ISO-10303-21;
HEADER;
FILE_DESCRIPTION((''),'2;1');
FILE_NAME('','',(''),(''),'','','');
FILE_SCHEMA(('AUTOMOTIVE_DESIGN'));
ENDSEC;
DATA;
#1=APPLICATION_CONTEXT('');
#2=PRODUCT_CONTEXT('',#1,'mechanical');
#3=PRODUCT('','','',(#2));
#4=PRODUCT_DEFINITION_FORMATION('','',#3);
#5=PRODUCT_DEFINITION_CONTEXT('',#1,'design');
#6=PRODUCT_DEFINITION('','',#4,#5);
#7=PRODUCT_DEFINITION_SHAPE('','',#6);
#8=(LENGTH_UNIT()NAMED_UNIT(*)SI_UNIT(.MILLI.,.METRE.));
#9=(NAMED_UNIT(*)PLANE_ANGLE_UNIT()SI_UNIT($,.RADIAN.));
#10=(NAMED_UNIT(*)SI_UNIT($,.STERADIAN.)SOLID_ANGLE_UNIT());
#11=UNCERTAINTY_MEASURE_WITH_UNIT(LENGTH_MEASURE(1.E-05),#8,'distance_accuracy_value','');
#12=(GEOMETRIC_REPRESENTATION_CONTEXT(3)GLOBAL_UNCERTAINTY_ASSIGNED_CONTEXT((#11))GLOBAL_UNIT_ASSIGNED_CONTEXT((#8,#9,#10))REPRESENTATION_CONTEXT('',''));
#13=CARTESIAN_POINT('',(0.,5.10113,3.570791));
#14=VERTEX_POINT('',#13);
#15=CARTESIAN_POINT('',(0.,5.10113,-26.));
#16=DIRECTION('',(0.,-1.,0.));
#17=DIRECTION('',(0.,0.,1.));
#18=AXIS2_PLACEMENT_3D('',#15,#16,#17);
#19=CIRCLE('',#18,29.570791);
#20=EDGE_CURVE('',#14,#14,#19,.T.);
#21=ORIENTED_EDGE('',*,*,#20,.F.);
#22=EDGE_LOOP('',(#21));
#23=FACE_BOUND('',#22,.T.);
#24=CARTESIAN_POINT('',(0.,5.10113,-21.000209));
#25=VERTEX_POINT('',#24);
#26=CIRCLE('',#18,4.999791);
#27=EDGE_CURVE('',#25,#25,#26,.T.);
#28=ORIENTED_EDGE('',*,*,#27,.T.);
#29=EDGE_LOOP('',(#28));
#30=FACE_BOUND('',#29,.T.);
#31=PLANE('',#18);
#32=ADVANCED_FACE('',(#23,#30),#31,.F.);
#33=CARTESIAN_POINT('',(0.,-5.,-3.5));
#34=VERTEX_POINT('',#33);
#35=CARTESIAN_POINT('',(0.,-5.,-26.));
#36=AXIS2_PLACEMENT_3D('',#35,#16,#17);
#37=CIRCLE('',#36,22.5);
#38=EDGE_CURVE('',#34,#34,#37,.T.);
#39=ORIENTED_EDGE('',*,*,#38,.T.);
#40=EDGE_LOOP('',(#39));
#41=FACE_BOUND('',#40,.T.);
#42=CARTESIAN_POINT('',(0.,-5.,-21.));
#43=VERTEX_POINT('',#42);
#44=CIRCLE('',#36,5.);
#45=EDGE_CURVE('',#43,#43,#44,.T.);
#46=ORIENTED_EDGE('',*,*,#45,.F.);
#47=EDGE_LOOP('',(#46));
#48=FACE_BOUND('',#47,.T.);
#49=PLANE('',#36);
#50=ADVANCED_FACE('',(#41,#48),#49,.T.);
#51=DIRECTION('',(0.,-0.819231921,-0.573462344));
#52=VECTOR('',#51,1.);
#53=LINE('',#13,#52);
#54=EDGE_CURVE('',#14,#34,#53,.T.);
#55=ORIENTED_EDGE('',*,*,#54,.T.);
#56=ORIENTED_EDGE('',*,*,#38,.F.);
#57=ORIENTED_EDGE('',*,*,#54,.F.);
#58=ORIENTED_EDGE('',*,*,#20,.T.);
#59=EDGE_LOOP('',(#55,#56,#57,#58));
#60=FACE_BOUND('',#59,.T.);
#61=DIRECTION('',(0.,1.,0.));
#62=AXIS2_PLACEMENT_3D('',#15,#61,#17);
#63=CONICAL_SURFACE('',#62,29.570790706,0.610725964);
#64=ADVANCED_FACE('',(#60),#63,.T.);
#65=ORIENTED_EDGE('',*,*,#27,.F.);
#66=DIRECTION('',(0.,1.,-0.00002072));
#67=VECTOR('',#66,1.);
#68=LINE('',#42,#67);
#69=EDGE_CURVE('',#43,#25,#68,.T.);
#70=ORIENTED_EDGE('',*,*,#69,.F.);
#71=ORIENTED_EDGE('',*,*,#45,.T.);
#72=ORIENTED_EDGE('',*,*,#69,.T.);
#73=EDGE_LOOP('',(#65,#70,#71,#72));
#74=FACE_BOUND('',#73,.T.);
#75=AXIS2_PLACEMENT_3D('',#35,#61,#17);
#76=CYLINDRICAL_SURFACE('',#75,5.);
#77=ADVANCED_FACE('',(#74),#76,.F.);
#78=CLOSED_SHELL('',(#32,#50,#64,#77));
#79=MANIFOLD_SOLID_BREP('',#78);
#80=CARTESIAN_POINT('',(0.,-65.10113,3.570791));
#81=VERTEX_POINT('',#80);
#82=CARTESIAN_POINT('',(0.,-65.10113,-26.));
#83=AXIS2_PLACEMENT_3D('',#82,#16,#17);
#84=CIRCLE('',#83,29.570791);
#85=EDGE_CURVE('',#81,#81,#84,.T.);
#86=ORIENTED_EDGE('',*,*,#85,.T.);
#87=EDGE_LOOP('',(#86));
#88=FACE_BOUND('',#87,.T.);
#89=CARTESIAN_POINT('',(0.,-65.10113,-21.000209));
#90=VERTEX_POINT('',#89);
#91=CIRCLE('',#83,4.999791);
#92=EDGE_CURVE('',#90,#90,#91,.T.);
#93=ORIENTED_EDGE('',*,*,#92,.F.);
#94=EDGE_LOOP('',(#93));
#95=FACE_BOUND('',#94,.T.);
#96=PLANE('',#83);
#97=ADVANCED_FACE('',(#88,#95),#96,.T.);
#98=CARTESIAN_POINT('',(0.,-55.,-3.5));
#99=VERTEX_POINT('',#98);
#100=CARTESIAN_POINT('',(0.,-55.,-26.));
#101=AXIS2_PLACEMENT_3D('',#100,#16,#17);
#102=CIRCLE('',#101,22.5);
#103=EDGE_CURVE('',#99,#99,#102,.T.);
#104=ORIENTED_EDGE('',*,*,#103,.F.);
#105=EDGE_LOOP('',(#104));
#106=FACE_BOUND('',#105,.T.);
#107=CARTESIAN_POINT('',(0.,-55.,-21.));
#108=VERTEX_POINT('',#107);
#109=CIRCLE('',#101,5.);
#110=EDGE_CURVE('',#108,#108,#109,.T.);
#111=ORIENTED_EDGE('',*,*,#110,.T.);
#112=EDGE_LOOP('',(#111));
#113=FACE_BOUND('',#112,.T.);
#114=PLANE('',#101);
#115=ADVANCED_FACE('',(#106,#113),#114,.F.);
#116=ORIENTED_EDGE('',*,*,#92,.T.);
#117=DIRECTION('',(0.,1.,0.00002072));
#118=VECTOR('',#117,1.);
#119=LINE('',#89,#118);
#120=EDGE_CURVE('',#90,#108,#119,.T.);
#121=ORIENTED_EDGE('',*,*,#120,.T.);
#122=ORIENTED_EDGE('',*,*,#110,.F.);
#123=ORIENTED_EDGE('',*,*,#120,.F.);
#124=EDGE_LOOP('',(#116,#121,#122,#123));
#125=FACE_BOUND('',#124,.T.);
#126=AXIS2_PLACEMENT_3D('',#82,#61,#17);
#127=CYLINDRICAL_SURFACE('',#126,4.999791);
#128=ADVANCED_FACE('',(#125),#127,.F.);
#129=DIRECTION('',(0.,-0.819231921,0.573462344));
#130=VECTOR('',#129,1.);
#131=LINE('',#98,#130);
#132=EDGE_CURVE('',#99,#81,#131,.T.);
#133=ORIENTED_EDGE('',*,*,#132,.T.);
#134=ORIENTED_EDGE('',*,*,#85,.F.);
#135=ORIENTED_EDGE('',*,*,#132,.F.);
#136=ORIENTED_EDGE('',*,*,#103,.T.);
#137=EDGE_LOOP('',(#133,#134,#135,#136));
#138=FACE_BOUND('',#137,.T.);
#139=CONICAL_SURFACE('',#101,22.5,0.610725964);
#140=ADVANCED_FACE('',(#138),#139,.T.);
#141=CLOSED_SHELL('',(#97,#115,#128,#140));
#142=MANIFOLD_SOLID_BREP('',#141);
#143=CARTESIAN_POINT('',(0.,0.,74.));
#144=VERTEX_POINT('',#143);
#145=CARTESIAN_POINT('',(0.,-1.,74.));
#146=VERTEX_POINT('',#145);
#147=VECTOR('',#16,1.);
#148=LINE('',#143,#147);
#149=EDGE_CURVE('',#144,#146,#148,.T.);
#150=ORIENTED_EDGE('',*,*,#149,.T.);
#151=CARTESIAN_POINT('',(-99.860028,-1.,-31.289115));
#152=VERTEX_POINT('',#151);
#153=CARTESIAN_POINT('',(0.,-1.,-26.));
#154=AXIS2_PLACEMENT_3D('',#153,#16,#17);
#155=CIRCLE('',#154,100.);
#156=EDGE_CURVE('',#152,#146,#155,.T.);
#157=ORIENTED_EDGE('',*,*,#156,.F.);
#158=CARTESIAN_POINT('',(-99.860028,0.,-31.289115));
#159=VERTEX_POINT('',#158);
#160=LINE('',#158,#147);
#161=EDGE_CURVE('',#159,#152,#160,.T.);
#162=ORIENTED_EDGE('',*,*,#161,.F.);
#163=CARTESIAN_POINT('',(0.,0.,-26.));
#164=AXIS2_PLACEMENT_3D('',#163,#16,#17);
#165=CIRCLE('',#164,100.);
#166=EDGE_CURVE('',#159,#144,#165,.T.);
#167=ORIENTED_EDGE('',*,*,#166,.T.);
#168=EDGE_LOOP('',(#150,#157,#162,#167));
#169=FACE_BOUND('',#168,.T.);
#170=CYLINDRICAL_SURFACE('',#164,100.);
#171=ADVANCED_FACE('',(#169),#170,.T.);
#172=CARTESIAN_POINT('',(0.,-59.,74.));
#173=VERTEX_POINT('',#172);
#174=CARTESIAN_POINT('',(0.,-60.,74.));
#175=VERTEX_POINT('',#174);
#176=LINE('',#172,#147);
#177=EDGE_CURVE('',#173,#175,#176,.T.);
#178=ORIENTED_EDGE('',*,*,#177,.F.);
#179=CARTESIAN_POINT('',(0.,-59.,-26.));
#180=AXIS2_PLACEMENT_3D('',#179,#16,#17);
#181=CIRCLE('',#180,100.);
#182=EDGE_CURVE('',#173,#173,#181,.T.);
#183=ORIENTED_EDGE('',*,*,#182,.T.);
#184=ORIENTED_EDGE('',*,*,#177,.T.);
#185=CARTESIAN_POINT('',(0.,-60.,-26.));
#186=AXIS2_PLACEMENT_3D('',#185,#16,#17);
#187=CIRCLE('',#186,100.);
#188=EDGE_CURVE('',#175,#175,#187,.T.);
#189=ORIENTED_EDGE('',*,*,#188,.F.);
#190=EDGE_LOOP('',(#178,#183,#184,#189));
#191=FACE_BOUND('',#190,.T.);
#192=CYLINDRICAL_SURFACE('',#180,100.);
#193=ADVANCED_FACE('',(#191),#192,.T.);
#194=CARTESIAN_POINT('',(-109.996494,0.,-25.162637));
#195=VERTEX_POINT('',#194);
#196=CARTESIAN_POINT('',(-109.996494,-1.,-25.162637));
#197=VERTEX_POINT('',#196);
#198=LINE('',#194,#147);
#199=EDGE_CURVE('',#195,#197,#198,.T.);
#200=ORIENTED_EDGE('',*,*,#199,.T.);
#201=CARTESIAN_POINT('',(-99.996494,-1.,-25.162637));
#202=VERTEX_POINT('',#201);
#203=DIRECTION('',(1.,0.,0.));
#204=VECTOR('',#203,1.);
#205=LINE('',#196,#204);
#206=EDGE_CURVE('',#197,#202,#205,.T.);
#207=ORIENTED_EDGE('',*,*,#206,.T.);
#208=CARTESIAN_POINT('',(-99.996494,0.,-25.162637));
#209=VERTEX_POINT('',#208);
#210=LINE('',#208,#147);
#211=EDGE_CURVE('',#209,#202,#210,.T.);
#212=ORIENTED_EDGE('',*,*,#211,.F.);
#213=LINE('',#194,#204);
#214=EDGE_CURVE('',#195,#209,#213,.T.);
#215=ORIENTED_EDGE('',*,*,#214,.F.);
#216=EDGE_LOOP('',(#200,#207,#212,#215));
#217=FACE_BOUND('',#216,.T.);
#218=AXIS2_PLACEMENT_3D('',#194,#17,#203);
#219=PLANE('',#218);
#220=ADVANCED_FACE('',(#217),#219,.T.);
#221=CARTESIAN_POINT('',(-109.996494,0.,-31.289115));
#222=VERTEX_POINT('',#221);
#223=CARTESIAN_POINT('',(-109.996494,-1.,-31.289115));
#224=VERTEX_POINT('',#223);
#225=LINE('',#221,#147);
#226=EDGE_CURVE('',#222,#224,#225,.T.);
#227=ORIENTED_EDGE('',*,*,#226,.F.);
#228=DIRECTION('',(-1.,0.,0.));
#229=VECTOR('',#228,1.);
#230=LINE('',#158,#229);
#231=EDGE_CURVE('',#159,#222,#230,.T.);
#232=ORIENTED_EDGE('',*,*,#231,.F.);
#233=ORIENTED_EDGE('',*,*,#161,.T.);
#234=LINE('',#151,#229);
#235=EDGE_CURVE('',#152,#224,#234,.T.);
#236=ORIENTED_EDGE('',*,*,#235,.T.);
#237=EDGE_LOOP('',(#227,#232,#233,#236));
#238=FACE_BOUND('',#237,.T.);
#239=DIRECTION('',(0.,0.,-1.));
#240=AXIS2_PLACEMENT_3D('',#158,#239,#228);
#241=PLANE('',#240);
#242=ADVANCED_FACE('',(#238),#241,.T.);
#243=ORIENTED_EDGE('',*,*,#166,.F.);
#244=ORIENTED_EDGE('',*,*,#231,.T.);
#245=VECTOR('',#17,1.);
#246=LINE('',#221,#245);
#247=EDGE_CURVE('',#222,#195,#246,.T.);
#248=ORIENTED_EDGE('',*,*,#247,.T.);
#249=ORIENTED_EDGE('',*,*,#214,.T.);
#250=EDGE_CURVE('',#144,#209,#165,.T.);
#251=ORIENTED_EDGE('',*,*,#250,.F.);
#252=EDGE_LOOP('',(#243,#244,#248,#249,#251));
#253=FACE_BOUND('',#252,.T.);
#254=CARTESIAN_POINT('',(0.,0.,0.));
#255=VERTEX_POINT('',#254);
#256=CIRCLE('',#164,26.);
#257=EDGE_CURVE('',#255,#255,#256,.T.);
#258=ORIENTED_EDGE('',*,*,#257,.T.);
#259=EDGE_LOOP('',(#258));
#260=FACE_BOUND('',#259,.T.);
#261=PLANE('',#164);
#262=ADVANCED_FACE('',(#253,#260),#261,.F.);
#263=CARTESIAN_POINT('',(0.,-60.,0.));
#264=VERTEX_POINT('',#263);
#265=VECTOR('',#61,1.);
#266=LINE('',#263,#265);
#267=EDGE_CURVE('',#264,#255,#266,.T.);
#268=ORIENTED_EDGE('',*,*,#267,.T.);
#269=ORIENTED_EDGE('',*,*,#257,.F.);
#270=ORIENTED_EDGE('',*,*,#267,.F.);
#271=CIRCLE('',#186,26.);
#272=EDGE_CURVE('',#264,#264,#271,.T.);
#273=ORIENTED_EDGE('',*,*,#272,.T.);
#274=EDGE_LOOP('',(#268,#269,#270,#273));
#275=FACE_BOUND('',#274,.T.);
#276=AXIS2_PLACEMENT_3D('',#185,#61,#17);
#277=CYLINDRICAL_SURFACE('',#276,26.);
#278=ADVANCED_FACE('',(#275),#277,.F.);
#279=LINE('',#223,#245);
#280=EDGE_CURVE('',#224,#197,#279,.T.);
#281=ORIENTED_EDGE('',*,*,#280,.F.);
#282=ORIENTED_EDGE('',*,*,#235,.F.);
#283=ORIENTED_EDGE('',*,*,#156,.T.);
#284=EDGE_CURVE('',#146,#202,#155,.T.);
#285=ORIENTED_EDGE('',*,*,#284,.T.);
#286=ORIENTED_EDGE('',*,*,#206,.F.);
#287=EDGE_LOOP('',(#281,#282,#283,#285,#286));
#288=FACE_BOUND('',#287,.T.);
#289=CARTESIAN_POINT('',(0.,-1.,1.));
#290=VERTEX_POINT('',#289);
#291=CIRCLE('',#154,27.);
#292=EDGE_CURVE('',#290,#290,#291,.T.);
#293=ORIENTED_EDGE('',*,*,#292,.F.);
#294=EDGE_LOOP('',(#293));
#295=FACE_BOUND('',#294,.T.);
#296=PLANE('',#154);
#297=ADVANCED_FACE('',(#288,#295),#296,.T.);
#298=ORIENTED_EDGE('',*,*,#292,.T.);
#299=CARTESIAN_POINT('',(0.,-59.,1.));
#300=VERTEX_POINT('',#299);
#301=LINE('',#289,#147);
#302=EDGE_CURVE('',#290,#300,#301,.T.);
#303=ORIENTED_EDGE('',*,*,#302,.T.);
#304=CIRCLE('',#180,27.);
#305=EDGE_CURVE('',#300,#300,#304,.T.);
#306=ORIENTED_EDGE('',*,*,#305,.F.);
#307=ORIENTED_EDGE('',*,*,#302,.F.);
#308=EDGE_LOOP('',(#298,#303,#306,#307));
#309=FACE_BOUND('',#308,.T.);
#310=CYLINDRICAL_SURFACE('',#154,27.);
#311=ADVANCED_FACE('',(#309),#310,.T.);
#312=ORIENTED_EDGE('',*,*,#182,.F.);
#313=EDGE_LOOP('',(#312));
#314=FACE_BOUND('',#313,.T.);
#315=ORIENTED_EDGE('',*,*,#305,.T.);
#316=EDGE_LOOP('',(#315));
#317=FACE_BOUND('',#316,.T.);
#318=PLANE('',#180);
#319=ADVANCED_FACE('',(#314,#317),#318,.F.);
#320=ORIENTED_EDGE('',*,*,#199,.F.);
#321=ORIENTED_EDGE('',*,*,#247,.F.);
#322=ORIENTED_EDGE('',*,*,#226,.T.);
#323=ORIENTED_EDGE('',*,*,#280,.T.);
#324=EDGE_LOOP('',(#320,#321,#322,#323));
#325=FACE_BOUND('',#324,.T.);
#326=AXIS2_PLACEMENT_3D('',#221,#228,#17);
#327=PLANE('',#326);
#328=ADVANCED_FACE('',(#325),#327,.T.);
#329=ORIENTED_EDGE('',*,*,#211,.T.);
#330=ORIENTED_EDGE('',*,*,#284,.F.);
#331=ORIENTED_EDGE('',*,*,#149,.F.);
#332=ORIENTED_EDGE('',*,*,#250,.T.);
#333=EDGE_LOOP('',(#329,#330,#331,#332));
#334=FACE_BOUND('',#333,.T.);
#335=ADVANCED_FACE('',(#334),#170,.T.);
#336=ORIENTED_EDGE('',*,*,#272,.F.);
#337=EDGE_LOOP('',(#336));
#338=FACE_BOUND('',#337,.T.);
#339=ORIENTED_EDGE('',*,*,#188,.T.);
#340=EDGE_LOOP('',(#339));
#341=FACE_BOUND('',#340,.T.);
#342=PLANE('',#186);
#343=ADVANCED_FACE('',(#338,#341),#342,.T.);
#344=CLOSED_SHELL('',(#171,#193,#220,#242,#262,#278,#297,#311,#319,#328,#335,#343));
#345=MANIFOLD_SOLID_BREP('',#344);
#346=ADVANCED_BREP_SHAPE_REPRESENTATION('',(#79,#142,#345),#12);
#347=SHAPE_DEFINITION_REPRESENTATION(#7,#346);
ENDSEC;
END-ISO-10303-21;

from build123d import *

# Parameters (mm, degrees)
F4_DEPTH = 1


with BuildPart() as f1:
    # F0 (on Right) → F1 (revolve)
    with BuildSketch(Plane.YZ):
        Polygon((-59, 74), (-60, 74), (-60, 0), (0, 0), (0, 74), (-1, 74), (-1, 1), (-59, 1), align=None)
    revolve(axis=Axis((0, -30, -26), (0, -1, 0)))

    # F3 (on face) → F4 (join)
    with BuildSketch(Plane(origin=(0, 0, 0), x_dir=(-1, 0, 0), z_dir=(0, 1, 0))):
        with BuildLine():
            ThreePointArc((100, -26), (99.9650009685, -28.6454832021), (99.8600283726, -31.2891146171))
            Line((99.8600283726, -31.2891146171), (109.9964940565, -31.2891146171))
            Line((109.9964940565, -31.2891146171), (109.9964940565, -25.1626372337))
            Line((109.9964940565, -25.1626372337), (99.9964940565, -25.1626372337))
            ThreePointArc((99.9964940565, -25.1626372337), (99.9991235103, -25.5813149471), (100, -26))
        make_face()
    extrude(amount=-F4_DEPTH)


with BuildPart() as f2:
    # F0 (on Right) → F2 (revolve)
    with BuildSketch(Plane.YZ):
        Polygon((-55, -3.5), (-60, 0), (-65.10112958, 3.570790706), (-65.10112958, -21.000209294), (-55, -21), align=None)
        Polygon((-64.10112958, -20.0001885739), (-64.10112958, 1.6501351444), (-56, -4.0206555616), (-56, -20.0000207196), align=None, mode=Mode.SUBTRACT)
        Polygon((-56, -4.0206555616), (-64.10112958, 1.6501351444), (-64.10112958, -20.0001885739), (-56, -20.0000207196), align=None)
    revolve(axis=Axis((0, -30, -26), (0, -1, 0)))


with BuildPart() as f2b:
    # F0 (on Right) → F2, piece 2 (revolve)
    with BuildSketch(Plane.YZ):
        Polygon((5.10112958, 3.570790706), (0, 0), (-5, -3.5), (-5, -21), (5.10112958, -21.000209294), align=None)
        Polygon((-4, -20.0000207196), (-4, -4.0206555616), (4.10112958, 1.6501351444), (4.10112958, -20.0001885739), align=None, mode=Mode.SUBTRACT)
        Polygon((4.10112958, 1.6501351444), (-4, -4.0206555616), (-4, -20.0000207196), (4.10112958, -20.0001885739), align=None)
    revolve(axis=Axis((0, -30, -26), (0, -1, 0)))


solid = Compound([f1.part, f2.part, f2b.part])
